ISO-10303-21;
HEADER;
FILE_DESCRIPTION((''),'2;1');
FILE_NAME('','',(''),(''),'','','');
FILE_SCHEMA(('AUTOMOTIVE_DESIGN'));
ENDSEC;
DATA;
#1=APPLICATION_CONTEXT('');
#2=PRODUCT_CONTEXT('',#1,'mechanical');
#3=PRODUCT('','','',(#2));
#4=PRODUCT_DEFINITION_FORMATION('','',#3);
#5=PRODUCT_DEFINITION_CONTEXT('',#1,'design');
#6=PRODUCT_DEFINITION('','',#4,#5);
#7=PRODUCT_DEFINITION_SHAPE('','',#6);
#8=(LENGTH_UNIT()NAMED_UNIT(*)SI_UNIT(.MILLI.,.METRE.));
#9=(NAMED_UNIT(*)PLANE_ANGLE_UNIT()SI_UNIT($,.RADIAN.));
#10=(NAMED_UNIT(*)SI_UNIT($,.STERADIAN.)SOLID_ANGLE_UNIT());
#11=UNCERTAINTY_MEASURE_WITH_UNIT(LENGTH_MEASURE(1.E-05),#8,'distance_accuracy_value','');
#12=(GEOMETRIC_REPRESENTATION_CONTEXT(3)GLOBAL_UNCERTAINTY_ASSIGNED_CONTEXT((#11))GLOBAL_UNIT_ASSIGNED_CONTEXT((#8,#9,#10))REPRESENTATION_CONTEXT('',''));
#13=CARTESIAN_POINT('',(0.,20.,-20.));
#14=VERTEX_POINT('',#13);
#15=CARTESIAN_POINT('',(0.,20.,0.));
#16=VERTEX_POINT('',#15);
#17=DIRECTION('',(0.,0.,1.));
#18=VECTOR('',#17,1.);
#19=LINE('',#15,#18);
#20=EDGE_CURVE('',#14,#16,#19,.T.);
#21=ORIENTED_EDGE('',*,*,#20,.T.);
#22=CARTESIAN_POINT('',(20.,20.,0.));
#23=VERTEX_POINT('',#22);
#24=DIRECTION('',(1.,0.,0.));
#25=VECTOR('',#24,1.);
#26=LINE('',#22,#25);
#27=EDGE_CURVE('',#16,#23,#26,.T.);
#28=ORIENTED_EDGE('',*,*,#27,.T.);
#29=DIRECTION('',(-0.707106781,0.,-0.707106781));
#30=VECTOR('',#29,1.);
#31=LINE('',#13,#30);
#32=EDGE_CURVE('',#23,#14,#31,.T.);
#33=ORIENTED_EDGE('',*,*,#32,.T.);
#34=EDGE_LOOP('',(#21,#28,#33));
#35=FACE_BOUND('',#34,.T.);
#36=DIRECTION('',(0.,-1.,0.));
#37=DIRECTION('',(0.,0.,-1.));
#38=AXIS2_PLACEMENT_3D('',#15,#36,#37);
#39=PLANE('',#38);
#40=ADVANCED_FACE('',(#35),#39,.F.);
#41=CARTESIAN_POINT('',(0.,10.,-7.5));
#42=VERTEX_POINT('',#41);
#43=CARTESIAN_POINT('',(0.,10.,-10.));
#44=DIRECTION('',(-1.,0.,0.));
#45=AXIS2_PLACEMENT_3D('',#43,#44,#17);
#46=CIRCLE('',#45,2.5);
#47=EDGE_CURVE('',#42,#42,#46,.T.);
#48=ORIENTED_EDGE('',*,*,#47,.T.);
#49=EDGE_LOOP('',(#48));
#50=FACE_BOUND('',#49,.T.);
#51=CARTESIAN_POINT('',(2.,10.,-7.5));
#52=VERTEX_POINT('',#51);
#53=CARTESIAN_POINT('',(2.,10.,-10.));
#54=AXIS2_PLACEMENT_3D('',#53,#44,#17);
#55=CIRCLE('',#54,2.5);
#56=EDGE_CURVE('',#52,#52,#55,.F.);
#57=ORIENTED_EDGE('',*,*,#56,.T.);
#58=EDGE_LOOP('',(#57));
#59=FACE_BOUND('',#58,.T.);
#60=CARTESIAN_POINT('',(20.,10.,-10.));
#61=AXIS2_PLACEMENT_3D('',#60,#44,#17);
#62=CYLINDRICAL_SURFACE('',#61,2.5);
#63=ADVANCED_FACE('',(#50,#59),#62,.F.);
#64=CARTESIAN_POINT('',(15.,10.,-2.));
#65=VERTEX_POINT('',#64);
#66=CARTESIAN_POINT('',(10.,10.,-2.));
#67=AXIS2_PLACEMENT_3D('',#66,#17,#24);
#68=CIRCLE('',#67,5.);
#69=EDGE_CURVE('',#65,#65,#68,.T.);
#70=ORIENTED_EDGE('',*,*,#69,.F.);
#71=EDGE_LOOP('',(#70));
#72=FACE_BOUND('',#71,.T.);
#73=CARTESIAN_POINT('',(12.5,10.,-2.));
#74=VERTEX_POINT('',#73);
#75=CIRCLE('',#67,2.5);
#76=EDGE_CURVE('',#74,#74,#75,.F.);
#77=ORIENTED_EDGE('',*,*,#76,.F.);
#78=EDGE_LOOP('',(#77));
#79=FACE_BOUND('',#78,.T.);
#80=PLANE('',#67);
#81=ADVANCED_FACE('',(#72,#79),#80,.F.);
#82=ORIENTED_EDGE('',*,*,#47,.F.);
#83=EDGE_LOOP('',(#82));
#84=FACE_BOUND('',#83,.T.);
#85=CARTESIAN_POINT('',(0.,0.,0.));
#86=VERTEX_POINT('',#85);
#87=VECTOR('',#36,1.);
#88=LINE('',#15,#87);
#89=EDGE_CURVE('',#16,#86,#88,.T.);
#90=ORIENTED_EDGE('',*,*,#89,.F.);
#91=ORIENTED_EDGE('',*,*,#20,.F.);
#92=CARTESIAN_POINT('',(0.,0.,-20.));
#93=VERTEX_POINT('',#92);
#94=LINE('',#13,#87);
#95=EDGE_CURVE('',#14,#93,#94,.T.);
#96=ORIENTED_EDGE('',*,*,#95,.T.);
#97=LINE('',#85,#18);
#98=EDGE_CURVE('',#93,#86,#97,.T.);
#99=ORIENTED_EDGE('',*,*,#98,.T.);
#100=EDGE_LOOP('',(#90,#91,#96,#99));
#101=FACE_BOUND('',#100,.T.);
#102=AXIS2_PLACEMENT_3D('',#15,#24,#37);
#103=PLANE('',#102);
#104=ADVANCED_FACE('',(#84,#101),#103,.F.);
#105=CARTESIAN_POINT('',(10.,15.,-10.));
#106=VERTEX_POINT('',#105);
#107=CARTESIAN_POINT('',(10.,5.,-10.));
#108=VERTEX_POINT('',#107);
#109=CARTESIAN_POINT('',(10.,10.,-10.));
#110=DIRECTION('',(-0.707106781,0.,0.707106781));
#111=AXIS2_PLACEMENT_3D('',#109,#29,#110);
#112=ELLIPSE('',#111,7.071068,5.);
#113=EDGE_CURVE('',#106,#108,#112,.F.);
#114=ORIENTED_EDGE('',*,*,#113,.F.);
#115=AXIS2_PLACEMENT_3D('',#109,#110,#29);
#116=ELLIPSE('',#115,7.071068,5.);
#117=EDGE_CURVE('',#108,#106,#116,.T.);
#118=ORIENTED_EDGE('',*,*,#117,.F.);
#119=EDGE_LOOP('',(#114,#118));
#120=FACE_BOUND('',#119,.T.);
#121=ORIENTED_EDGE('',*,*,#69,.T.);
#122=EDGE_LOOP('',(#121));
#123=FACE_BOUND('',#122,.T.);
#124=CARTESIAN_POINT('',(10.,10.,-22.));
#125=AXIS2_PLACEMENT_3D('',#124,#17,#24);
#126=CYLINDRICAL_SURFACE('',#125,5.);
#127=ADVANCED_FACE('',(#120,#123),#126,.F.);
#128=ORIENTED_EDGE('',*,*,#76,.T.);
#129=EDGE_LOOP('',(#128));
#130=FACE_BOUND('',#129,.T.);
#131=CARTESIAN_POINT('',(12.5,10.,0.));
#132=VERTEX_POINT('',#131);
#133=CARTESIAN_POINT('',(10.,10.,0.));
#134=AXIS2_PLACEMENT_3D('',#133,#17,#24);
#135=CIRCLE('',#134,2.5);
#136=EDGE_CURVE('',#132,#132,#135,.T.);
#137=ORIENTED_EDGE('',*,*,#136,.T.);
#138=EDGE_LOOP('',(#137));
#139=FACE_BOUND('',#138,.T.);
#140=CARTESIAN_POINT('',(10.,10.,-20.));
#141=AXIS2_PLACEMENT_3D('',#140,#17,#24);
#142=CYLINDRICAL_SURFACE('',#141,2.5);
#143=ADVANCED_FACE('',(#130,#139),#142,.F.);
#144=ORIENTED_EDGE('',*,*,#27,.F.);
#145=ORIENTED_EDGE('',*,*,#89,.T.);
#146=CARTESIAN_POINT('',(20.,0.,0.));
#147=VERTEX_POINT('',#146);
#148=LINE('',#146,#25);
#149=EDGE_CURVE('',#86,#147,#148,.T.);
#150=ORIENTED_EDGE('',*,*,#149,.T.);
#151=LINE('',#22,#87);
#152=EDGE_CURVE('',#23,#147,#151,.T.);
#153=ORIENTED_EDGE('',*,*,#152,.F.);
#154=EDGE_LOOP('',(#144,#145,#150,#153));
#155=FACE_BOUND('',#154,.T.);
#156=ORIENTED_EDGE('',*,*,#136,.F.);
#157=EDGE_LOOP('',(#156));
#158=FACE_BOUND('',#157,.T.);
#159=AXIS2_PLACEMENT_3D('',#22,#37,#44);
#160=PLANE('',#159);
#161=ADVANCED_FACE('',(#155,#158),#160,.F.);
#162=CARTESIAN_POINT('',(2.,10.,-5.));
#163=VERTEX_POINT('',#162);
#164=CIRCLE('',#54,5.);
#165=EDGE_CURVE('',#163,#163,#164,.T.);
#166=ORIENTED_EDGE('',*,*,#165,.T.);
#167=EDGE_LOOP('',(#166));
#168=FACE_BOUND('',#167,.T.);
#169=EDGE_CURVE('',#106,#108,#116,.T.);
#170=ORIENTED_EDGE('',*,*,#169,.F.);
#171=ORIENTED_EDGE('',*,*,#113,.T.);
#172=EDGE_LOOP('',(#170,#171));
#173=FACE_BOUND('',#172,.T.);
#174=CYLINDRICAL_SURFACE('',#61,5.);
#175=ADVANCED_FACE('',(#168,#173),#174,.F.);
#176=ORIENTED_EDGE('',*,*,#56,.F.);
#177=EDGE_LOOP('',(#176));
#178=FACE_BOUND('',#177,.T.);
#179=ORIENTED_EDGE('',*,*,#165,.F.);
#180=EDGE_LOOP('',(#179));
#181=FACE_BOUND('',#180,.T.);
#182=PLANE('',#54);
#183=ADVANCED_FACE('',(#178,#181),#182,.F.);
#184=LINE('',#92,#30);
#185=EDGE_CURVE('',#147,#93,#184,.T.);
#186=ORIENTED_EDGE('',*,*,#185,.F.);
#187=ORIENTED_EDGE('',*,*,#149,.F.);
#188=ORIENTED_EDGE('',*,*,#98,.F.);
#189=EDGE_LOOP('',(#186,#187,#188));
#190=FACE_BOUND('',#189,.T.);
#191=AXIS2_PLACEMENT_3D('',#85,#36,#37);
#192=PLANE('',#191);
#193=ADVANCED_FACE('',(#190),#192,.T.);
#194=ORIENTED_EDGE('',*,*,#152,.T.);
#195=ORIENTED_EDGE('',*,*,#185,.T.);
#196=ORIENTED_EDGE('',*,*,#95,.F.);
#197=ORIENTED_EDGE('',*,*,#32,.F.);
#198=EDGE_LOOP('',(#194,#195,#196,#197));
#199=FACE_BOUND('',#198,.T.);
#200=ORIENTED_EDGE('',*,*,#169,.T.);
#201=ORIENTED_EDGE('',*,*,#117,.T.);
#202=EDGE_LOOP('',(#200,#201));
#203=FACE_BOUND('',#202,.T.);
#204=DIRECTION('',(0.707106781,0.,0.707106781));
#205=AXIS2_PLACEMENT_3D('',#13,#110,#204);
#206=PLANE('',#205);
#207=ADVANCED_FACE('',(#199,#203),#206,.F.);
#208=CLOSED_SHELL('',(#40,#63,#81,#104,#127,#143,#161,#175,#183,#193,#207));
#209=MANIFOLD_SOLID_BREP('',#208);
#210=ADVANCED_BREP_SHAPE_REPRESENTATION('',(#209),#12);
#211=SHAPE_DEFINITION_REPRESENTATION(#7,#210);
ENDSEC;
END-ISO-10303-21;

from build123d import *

# Parameters (mm, degrees)
BOSS_EXTRUDE1_DEPTH = 20
SKETCH2_R           = 2.5
CUT_EXTRUDE1_DEPTH  = 21
SKETCH3_R           = 2.5
CUT_EXTRUDE2_DEPTH  = 21
CUT_EXTRUDE3_START  = -2
SKETCH4_R           = 5
CUT_EXTRUDE3_DEPTH  = 19
CUT_EXTRUDE4_START  = -2
SKETCH5_R           = 5
CUT_EXTRUDE4_DEPTH  = 20


with BuildPart() as part:
    # Sketch1 → Boss-Extrude1 (new body)
    with BuildSketch(Plane(origin=(0, 0, 0), x_dir=(1, 0, 0), z_dir=(0, 1, 0))):
        Polygon((0, 0), (0, 20), (20, 0), align=None)
    extrude(amount=BOSS_EXTRUDE1_DEPTH)

    # Sketch2 → Cut-Extrude1 (cut, through all)
    with BuildSketch(Plane.XY):
        with Locations((10, 10)):
            Circle(SKETCH2_R)
    extrude(amount=-CUT_EXTRUDE1_DEPTH, mode=Mode.SUBTRACT)

    # Sketch3 → Cut-Extrude2 (cut, through all)
    with BuildSketch(Plane.ZY):
        with Locations((-10, 10)):
            Circle(SKETCH3_R)
    extrude(amount=-CUT_EXTRUDE2_DEPTH, mode=Mode.SUBTRACT)

    # Sketch4 → Cut-Extrude3 (cut, through all)
    with BuildSketch(Plane.ZY.offset(CUT_EXTRUDE3_START)):
        with Locations((-10, 10)):
            Circle(SKETCH4_R)
    extrude(amount=-CUT_EXTRUDE3_DEPTH, mode=Mode.SUBTRACT)

    # Sketch5 → Cut-Extrude4 (cut)
    with BuildSketch(Plane.XY.offset(CUT_EXTRUDE4_START)):
        with Locations((10, 10)):
            Circle(SKETCH5_R)
    extrude(amount=-CUT_EXTRUDE4_DEPTH, mode=Mode.SUBTRACT)


solid = part.part
